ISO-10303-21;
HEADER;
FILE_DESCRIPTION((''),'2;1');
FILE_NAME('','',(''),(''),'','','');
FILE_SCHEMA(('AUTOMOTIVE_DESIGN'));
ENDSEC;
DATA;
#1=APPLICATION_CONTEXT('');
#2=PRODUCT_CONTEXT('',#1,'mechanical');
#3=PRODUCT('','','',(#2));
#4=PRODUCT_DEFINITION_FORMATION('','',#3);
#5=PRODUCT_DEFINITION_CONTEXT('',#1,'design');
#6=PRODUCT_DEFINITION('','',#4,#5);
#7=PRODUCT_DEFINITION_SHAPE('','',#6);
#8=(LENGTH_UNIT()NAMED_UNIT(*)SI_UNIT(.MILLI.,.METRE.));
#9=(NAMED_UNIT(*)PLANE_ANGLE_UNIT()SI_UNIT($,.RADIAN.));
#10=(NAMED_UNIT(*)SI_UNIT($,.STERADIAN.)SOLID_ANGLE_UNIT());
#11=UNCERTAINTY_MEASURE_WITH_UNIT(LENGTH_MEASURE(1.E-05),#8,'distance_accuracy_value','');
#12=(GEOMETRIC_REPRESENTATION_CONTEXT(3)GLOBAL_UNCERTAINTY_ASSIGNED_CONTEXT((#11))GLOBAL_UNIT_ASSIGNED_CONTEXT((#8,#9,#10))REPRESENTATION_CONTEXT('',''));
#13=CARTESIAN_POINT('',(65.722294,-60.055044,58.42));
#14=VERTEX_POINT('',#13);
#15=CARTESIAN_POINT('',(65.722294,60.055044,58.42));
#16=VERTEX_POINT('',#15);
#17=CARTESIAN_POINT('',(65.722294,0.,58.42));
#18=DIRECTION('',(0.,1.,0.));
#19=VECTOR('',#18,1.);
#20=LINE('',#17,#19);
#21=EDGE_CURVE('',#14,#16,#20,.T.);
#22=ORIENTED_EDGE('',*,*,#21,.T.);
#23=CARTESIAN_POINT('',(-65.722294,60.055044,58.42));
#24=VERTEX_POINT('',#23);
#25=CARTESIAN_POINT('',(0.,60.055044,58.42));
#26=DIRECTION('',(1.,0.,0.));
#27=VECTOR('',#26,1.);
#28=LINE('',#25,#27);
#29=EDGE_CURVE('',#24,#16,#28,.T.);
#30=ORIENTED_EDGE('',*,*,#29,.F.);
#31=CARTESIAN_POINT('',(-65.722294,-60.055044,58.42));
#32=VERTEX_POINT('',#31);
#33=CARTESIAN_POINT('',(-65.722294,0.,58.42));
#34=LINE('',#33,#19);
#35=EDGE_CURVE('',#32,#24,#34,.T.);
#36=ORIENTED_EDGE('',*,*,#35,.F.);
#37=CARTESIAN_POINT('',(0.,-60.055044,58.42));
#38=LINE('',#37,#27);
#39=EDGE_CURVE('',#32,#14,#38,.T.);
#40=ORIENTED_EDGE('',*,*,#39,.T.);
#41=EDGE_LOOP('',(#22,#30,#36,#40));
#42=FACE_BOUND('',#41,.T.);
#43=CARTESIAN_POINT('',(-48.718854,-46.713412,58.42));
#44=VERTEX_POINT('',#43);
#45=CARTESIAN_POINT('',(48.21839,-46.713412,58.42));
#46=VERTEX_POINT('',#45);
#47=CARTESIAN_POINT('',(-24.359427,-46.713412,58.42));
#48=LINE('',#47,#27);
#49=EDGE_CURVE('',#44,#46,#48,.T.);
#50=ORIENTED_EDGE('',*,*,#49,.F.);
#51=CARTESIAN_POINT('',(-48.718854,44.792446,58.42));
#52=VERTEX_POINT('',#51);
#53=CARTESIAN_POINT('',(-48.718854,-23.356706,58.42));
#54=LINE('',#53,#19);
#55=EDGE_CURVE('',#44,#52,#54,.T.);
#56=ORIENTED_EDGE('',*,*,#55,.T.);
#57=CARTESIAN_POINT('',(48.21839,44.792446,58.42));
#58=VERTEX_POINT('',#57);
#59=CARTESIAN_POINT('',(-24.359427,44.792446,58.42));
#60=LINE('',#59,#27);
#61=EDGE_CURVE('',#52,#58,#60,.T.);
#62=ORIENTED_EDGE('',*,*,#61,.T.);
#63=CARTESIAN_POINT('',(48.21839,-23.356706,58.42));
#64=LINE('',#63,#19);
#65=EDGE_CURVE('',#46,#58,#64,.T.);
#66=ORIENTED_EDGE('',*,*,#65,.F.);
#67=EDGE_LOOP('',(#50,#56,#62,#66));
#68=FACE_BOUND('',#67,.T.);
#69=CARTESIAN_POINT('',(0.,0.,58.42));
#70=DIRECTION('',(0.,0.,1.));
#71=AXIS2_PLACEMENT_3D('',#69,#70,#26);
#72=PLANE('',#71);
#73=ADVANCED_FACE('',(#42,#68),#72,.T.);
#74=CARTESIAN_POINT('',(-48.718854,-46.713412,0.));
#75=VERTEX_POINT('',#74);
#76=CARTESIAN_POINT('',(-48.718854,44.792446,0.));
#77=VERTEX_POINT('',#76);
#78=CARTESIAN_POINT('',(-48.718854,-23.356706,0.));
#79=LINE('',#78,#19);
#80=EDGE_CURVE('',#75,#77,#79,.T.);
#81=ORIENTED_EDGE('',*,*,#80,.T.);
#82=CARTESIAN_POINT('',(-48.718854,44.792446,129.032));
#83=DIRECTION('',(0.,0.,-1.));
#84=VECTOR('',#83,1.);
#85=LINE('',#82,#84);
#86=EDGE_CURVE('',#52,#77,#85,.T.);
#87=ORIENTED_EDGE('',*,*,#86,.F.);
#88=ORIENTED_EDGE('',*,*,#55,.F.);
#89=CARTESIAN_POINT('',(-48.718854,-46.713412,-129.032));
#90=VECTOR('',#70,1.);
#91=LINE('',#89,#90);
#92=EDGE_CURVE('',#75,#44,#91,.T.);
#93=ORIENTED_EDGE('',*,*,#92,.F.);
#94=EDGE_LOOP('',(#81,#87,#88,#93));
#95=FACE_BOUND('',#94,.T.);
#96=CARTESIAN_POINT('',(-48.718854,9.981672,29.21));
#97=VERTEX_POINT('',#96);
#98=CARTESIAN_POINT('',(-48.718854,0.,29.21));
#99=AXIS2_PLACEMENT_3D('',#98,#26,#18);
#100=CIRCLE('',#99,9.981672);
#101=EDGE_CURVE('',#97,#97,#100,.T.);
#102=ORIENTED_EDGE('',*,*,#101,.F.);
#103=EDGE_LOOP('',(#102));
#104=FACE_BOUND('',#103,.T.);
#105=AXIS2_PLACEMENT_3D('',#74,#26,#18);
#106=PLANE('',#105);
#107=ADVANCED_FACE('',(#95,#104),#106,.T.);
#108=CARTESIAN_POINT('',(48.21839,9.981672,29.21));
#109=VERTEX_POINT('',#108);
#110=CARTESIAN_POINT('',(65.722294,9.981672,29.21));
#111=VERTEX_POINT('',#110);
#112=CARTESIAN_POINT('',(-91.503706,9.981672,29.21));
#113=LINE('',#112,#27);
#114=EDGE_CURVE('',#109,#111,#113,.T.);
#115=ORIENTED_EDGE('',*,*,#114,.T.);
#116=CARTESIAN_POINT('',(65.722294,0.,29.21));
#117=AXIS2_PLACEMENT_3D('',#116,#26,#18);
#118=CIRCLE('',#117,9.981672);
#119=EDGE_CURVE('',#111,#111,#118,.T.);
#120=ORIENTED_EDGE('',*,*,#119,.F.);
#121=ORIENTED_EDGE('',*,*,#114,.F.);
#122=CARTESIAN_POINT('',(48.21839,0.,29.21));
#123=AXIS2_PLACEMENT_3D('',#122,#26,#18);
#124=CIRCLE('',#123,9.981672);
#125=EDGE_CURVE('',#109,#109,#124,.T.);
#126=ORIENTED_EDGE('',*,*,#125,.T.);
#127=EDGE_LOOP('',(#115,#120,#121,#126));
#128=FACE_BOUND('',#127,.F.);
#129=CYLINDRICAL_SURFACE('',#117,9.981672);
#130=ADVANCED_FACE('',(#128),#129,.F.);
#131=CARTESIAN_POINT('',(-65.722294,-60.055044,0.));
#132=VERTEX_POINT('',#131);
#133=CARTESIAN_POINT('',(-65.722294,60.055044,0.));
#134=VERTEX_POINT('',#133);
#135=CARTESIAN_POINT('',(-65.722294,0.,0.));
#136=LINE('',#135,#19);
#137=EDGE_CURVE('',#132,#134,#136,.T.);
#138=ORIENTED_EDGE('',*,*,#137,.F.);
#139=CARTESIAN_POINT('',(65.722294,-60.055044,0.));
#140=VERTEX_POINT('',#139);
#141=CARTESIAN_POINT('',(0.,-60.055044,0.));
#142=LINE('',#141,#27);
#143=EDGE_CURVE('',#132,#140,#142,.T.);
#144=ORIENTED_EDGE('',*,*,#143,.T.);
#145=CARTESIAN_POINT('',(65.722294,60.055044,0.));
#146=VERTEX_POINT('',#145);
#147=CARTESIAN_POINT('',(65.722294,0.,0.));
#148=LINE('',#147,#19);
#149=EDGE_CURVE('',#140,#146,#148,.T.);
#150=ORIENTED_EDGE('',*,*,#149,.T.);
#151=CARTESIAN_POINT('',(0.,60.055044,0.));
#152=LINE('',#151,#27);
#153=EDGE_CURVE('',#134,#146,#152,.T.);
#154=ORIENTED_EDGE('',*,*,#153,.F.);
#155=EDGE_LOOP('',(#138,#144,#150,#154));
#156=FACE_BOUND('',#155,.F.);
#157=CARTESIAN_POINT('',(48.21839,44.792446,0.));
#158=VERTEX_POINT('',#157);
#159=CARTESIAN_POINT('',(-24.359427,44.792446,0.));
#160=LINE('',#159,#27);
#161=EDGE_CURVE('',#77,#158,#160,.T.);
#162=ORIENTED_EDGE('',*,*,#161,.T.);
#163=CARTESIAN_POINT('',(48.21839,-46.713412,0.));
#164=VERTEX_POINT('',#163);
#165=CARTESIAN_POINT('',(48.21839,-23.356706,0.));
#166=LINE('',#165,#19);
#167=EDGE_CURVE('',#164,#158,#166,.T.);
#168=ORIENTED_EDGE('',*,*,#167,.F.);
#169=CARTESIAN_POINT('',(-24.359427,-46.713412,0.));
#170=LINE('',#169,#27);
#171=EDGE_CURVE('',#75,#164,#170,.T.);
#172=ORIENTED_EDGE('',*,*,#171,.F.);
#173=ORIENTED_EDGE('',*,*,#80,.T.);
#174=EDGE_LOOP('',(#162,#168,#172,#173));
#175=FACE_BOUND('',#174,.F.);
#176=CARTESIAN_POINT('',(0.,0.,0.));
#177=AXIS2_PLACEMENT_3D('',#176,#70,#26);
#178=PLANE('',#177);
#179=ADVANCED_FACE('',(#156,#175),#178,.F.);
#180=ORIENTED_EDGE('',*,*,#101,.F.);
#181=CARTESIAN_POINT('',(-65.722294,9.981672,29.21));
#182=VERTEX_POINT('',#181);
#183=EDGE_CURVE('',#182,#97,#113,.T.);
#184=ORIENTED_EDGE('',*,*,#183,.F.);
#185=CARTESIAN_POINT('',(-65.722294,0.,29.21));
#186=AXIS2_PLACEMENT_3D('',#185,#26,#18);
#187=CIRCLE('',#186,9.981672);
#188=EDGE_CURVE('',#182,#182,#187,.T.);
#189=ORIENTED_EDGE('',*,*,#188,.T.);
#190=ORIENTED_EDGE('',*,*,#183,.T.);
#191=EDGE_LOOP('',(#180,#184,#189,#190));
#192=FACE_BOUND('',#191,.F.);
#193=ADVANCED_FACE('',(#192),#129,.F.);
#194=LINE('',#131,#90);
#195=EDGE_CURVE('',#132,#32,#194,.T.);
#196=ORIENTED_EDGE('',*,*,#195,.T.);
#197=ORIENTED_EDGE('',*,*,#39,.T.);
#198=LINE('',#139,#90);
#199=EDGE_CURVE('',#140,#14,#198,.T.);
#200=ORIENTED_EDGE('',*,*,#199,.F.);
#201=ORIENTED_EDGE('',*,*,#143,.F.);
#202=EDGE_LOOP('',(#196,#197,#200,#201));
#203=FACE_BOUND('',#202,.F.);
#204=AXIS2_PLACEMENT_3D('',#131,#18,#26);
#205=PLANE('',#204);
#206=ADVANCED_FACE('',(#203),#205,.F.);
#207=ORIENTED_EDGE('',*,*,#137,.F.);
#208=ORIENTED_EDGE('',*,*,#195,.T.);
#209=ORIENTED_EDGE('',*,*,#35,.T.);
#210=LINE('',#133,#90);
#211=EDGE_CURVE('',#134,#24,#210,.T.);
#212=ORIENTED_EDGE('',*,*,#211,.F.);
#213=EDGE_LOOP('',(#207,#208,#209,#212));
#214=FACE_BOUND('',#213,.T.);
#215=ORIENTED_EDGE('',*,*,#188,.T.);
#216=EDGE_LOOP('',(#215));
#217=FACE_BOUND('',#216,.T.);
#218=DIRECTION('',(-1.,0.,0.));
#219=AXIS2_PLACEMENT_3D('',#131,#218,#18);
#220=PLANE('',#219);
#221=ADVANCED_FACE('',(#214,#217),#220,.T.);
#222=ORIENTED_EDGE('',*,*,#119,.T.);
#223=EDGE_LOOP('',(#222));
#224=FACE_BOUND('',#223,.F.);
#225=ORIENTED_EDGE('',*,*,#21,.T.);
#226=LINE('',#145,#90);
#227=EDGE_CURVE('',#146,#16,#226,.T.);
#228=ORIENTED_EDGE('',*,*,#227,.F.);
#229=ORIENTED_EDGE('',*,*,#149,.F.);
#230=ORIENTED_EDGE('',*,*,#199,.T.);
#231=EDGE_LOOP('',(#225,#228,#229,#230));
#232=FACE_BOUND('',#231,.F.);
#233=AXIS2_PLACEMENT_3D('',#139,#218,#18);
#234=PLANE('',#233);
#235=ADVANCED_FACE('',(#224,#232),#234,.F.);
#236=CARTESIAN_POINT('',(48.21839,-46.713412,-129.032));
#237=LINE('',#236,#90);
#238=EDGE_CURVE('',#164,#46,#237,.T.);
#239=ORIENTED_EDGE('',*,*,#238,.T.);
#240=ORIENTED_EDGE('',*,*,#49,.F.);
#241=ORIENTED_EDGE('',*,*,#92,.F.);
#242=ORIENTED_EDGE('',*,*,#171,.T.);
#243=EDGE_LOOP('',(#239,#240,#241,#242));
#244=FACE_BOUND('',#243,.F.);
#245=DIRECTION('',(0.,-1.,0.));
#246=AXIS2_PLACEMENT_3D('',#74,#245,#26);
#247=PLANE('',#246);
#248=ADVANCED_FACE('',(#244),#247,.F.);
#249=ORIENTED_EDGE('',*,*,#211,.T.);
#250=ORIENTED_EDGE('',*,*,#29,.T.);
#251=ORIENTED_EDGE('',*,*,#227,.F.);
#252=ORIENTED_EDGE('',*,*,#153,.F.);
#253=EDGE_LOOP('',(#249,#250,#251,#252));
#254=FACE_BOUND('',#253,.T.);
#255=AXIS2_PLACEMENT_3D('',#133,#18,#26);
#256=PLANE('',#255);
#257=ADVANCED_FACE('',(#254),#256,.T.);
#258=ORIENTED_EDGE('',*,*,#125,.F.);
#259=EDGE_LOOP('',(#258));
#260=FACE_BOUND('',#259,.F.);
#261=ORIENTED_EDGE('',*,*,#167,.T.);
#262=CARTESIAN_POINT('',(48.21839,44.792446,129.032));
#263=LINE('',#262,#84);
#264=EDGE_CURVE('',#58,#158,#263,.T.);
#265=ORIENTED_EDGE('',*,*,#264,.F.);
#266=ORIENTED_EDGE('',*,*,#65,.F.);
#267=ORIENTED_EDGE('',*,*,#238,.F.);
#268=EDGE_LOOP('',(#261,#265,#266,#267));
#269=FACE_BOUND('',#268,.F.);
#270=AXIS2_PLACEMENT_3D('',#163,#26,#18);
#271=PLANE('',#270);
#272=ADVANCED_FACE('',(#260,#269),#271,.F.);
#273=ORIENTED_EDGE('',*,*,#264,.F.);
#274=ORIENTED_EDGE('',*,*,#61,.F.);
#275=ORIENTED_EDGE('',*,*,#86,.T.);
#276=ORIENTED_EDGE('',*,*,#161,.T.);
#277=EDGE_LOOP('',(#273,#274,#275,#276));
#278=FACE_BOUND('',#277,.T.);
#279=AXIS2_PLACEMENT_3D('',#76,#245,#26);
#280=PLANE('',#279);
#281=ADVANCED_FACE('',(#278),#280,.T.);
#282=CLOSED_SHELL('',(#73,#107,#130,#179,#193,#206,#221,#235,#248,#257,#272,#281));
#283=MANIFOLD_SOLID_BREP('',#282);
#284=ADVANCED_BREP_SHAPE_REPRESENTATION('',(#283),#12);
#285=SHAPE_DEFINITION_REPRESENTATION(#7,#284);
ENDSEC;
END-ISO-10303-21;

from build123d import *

# Parameters (mm, degrees)
F0_W     = 131.444588
F0_H     = 120.110088
F1_DEPTH = 58.42
F2_R     = 9.981672
F4_DEPTH = 157.226
F5_W     = 96.937245
F5_H     = 91.505859
F6_DEPTH = 129.032


with BuildPart() as f1:
    # F0 (on Top) → F1 (new body)
    with BuildSketch(Plane.XY):
        Rectangle(F0_W, F0_H)
    extrude(amount=F1_DEPTH)

    # F2 (on face) → F4 (cut, symmetric)
    with BuildSketch(Plane.YZ.offset(65.722294)):
        with Locations((0, 29.21)):
            Circle(F2_R)
    extrude(amount=F4_DEPTH, both=True, mode=Mode.SUBTRACT)

    # F5 (on Top) → F6 (cut, symmetric)
    with BuildSketch(Plane.XY):
        with Locations((-0.250232, -0.960483)):
            Rectangle(F5_W, F5_H)
    extrude(amount=F6_DEPTH, both=True, mode=Mode.SUBTRACT)


solid = f1.part
